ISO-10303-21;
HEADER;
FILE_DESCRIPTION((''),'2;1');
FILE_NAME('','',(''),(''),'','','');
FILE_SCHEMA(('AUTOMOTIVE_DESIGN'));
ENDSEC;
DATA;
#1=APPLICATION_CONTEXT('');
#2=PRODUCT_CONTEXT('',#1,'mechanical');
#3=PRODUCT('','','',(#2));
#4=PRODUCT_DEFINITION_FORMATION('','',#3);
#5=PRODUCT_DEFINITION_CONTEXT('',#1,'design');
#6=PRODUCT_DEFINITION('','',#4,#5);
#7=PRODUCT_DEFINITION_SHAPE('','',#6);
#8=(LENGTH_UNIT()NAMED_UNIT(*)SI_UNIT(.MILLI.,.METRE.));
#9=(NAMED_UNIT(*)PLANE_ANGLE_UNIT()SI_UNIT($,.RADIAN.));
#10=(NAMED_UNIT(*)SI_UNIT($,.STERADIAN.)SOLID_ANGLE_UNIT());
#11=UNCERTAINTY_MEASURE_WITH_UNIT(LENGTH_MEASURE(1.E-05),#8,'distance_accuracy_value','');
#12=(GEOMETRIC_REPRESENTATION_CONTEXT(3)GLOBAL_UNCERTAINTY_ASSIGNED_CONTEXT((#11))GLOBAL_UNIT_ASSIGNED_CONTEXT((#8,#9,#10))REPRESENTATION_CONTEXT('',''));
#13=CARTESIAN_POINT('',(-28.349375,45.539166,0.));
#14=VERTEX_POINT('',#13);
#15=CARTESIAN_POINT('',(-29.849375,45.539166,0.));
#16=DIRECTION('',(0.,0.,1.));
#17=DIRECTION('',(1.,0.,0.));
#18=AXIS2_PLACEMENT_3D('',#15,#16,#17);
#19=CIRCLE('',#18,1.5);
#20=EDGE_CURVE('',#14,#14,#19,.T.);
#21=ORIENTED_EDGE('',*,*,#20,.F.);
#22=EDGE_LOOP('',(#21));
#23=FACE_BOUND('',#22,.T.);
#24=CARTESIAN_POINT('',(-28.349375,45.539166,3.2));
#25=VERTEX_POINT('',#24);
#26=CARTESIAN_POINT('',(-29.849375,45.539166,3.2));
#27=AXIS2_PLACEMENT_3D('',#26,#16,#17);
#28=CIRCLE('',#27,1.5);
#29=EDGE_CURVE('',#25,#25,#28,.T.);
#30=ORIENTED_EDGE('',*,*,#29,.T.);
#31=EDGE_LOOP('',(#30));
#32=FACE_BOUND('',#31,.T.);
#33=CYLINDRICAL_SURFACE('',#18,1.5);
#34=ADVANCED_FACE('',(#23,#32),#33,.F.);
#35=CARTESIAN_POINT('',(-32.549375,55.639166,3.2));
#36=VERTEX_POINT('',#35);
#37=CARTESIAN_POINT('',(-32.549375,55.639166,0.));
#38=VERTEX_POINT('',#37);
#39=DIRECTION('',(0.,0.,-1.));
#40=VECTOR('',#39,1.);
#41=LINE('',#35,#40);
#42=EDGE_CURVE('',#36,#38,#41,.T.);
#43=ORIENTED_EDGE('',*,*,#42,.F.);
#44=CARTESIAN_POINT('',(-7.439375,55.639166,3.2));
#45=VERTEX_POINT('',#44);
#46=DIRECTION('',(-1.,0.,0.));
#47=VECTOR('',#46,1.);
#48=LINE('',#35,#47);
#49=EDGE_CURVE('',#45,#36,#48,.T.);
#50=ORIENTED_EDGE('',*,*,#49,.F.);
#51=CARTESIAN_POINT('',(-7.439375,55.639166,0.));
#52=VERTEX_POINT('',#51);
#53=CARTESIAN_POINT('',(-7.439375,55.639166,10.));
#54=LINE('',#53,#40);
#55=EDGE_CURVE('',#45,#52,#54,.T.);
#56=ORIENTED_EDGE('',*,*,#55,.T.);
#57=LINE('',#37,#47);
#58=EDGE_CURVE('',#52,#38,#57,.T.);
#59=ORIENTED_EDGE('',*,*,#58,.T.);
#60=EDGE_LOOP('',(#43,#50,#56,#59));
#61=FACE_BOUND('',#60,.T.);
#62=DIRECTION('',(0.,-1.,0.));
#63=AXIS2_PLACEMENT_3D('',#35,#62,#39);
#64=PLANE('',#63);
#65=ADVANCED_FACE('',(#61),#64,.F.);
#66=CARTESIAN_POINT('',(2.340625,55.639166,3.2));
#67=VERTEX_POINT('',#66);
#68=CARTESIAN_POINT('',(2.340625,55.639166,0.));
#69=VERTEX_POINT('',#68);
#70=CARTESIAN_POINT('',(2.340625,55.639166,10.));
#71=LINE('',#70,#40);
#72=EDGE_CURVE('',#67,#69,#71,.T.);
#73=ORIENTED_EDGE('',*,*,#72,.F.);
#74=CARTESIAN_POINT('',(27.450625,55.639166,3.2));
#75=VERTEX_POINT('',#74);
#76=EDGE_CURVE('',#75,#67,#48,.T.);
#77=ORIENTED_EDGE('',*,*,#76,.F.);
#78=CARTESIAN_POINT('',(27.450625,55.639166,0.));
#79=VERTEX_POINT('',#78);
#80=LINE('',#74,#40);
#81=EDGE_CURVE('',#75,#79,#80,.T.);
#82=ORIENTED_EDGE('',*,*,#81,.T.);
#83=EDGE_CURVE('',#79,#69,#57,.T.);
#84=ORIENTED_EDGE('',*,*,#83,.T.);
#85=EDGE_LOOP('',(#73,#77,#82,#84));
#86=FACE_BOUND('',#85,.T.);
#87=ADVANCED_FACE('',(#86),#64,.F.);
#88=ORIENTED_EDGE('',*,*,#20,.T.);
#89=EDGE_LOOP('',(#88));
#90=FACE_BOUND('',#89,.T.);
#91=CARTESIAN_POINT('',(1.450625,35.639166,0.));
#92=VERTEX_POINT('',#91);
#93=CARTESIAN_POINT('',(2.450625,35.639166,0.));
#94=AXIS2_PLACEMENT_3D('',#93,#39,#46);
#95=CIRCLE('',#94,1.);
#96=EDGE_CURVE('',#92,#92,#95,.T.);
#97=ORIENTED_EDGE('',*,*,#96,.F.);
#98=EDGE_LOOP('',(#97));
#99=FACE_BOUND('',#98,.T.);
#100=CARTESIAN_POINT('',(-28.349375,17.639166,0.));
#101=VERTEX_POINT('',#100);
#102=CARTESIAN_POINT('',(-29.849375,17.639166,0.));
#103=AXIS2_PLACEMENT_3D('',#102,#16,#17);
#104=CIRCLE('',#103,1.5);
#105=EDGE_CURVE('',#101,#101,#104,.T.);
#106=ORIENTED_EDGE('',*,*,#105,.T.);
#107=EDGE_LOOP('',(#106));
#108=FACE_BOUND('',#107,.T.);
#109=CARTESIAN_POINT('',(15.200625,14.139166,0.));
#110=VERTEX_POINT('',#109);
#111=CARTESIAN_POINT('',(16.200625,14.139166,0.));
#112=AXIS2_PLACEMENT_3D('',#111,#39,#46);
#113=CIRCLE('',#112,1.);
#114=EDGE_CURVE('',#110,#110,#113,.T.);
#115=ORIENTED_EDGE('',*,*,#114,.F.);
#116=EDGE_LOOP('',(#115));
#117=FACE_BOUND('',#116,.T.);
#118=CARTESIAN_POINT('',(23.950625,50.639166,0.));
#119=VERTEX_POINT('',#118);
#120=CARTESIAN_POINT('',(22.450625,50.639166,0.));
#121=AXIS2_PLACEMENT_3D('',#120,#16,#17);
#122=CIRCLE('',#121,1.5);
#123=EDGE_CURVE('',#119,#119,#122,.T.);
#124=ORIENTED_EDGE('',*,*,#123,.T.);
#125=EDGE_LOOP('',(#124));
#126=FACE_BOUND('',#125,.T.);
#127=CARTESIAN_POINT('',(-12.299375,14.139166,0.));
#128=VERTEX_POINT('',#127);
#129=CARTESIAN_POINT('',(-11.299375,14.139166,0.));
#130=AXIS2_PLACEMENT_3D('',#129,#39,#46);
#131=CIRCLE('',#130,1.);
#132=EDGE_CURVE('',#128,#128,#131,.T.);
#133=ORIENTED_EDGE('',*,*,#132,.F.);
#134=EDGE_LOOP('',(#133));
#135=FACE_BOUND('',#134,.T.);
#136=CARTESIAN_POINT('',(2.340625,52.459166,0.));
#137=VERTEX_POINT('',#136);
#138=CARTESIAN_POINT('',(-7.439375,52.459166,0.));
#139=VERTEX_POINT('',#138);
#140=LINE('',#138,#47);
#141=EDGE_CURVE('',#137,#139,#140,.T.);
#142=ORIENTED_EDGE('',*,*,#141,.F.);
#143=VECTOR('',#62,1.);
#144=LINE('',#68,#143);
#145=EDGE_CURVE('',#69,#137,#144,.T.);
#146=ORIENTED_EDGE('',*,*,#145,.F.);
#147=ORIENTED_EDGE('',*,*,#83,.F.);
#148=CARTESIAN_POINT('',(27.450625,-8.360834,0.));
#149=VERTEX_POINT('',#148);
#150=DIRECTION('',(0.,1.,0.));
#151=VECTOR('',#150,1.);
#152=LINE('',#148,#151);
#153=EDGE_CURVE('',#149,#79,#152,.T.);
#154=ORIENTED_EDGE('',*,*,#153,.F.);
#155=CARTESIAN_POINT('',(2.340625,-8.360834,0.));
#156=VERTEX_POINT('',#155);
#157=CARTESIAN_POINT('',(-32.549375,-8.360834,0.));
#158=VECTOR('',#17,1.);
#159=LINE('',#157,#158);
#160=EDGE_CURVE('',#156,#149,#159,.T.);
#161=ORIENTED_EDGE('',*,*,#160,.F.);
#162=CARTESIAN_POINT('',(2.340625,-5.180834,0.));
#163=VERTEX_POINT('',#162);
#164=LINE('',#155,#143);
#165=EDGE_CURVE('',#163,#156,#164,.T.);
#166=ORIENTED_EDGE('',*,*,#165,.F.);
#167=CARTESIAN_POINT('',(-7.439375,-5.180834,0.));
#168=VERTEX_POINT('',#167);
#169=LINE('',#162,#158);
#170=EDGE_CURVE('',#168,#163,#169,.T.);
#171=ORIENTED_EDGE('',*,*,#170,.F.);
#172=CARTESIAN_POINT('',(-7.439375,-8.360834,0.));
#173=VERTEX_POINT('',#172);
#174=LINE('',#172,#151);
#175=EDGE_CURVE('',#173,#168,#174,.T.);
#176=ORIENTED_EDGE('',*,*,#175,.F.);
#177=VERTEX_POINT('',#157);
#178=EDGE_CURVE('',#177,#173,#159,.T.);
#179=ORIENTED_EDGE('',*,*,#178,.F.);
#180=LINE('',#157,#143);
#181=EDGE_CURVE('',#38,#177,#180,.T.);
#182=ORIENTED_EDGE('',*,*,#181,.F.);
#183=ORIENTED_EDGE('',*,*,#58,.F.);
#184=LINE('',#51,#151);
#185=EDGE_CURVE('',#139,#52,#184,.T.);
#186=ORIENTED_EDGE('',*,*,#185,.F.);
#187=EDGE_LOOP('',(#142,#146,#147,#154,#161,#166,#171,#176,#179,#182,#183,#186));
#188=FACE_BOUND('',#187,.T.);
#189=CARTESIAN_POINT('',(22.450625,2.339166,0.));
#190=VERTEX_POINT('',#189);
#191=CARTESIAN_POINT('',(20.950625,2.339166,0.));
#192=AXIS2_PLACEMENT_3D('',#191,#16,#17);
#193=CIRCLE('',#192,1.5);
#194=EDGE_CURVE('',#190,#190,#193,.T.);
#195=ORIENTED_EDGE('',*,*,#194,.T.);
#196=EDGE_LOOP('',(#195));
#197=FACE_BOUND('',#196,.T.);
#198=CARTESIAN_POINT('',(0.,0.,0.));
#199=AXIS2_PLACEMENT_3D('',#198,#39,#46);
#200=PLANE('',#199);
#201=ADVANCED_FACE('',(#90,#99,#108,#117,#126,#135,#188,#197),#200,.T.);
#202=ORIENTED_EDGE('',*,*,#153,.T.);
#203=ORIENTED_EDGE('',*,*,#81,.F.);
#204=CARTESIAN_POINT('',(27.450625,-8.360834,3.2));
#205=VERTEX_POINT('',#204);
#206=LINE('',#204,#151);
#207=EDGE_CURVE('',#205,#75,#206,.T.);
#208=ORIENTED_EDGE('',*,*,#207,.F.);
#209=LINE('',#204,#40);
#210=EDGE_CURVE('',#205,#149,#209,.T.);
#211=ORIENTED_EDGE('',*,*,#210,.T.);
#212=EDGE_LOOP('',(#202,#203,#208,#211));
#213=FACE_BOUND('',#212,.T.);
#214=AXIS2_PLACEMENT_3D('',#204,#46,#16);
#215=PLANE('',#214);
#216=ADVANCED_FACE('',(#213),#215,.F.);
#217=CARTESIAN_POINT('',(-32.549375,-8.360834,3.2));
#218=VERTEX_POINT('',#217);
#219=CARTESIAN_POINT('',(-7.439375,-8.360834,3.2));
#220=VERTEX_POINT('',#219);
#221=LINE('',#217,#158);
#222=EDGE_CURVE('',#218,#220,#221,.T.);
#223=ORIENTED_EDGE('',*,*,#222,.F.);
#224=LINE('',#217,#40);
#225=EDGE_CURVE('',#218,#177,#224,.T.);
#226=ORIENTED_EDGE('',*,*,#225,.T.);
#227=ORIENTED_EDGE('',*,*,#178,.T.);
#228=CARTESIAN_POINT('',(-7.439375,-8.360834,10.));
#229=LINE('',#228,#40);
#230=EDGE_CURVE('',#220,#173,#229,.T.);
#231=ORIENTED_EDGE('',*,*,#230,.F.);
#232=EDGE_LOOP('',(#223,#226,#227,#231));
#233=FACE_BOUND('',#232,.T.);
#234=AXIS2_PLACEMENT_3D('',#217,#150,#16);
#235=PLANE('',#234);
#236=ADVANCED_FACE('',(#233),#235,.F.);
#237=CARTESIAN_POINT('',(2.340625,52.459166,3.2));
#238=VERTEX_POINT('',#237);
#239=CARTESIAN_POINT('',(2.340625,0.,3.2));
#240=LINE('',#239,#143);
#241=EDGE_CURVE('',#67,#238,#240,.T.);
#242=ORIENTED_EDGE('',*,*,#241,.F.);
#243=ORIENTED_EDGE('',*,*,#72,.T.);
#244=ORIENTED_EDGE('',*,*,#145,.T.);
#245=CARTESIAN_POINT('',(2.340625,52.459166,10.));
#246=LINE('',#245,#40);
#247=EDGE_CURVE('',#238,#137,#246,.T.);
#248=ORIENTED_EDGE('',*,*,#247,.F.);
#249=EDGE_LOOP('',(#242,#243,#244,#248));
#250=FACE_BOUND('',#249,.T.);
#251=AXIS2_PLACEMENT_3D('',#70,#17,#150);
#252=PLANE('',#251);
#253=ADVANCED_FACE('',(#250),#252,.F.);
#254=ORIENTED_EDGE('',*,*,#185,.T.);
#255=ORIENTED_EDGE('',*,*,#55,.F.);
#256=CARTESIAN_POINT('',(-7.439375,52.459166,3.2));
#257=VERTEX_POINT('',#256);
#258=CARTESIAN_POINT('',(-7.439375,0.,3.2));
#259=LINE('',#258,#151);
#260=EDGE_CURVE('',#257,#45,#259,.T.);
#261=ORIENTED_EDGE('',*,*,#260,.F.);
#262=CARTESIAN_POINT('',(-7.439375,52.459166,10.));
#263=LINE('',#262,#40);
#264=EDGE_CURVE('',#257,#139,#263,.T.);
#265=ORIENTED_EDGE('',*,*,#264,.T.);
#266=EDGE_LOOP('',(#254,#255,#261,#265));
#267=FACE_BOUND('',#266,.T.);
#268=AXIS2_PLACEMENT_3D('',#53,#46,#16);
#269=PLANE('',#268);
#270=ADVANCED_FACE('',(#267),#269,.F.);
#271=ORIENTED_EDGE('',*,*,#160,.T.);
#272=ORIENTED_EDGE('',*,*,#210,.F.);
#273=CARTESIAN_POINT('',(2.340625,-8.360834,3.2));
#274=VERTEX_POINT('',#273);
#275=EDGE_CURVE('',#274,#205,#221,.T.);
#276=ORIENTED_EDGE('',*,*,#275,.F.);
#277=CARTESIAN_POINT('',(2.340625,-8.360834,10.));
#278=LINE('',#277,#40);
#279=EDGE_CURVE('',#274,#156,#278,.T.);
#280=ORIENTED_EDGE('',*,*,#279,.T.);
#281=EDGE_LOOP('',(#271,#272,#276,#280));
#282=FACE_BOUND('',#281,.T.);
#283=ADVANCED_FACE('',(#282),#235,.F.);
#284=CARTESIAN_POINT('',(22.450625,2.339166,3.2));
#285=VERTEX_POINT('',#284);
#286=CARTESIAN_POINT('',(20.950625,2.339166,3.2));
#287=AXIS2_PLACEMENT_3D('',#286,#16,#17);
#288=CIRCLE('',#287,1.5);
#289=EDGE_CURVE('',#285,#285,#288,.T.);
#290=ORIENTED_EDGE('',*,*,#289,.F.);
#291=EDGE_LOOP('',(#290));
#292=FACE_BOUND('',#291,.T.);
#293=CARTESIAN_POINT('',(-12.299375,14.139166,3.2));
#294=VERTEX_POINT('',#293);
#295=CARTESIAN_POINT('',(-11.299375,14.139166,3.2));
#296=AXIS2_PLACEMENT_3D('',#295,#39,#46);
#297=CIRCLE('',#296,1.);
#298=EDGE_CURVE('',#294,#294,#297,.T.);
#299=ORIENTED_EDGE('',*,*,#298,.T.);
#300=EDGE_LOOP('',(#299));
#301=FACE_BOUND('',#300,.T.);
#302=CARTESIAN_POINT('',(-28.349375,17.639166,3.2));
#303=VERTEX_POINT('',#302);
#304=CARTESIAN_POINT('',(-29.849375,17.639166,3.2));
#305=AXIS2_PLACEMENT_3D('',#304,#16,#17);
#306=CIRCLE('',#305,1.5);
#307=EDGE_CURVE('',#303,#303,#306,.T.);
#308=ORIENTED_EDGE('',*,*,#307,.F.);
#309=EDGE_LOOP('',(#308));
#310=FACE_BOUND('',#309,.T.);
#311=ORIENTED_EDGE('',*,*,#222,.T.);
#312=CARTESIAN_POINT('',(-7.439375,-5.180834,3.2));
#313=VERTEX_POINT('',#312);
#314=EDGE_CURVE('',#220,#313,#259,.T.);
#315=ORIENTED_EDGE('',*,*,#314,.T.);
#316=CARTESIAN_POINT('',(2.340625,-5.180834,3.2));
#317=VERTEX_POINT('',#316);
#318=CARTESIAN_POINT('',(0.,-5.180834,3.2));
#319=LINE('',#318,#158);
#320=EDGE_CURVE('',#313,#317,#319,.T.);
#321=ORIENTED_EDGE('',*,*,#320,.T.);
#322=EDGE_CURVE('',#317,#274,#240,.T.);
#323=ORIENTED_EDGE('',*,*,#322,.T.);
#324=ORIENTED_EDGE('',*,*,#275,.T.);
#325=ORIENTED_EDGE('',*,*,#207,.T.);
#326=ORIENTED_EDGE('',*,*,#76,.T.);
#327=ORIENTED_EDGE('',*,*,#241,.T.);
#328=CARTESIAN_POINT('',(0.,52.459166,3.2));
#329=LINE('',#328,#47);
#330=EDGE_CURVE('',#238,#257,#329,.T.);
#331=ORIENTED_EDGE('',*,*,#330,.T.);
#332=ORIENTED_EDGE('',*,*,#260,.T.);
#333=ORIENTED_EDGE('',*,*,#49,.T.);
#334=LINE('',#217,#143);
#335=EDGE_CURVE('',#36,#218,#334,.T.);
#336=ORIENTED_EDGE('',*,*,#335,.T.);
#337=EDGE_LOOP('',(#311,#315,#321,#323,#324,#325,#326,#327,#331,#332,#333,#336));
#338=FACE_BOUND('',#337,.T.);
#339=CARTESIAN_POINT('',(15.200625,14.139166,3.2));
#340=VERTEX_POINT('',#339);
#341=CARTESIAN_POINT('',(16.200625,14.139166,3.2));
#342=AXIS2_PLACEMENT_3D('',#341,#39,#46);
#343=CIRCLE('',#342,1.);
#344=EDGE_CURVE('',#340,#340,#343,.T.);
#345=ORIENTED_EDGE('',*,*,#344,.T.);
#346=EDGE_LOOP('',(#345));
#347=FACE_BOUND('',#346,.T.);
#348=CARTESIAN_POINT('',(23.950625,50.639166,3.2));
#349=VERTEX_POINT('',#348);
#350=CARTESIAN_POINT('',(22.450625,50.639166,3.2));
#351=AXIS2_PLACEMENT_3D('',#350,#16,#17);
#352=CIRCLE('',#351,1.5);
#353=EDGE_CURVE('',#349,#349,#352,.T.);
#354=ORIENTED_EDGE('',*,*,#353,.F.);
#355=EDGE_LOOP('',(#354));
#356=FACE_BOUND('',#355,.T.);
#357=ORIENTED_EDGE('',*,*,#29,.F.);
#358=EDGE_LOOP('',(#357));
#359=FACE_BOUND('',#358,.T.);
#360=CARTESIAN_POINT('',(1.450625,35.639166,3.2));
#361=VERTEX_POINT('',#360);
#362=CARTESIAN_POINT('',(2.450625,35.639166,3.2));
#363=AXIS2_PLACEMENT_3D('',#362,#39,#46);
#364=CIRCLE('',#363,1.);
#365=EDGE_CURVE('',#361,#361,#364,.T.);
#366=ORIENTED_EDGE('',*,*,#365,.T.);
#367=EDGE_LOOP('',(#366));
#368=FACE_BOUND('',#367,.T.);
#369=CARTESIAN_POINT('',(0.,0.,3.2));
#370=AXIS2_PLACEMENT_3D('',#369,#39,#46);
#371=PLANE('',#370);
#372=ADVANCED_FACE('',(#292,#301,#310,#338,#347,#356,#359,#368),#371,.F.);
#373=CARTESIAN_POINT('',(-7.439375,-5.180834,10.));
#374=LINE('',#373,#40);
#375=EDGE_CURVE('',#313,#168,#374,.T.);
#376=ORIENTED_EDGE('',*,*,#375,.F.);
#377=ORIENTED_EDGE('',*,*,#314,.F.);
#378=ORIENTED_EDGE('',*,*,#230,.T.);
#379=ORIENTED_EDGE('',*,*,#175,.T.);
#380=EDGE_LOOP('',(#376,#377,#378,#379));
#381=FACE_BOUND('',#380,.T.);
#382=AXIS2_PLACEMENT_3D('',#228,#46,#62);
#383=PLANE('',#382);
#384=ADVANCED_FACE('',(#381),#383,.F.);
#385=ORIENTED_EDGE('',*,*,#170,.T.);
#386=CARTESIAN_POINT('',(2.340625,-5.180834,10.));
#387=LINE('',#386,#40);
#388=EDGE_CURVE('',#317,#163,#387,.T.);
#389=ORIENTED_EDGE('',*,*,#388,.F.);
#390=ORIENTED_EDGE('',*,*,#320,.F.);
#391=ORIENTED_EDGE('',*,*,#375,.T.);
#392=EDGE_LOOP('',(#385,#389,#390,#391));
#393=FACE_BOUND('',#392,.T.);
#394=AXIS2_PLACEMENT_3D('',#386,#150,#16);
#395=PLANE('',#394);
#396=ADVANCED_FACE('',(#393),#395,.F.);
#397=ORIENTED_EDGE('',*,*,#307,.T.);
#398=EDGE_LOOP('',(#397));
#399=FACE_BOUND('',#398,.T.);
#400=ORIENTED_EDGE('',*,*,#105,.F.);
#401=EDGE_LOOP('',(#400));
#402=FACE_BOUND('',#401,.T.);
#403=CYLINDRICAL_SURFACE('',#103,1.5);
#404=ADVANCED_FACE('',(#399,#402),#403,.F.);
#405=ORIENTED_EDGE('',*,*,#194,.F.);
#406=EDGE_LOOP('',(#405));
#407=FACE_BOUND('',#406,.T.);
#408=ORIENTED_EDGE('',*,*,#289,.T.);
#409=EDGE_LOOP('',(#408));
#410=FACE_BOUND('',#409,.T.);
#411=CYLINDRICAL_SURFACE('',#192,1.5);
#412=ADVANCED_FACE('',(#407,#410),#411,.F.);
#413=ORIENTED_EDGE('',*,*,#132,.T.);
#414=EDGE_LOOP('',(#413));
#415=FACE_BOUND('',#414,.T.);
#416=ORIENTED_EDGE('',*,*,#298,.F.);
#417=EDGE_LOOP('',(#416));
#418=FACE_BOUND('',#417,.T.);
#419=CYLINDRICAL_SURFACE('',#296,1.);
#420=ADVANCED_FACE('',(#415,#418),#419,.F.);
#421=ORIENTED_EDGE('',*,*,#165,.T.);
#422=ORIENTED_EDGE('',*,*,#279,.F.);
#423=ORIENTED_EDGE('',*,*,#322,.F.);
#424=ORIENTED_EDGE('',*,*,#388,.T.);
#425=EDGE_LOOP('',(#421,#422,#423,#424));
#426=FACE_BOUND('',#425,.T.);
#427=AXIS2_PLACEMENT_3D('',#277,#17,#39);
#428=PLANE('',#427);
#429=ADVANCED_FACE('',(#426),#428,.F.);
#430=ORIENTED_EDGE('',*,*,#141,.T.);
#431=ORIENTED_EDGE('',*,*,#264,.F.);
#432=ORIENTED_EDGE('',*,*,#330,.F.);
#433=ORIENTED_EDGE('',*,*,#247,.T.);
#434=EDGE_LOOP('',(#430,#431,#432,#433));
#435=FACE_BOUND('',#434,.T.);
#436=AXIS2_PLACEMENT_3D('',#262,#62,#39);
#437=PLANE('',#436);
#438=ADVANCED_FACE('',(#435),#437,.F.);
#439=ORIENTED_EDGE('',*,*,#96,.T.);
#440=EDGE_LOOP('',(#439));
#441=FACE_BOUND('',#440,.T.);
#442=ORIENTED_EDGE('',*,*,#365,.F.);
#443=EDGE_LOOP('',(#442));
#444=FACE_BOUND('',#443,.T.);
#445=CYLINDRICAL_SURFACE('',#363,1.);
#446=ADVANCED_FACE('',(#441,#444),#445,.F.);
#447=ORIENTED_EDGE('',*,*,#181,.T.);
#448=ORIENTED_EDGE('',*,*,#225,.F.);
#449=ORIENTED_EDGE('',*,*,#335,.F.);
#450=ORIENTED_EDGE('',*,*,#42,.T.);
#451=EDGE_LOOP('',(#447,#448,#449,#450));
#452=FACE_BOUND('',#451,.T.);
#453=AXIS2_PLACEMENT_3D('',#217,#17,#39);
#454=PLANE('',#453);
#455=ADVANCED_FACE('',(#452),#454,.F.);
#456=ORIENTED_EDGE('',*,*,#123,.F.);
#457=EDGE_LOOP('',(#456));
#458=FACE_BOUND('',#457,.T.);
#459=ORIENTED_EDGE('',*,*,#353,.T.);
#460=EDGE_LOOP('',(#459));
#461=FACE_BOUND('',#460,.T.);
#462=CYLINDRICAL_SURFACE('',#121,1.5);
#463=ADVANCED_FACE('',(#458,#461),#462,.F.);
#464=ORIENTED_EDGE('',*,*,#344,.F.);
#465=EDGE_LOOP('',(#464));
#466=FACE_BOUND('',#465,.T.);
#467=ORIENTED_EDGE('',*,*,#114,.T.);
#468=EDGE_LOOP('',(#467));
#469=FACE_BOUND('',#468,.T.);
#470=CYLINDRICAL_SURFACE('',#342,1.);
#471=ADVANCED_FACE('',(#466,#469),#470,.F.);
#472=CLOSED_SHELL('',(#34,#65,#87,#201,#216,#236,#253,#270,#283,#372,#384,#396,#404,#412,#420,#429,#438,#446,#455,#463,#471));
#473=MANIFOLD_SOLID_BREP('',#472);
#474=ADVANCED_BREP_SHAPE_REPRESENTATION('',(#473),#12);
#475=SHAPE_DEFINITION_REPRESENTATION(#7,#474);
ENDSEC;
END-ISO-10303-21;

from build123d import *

# Parameters (mm, degrees)
SKETCH2_W           = 60
SKETCH2_H           = 64
TOP_DEPTH           = 3.2
SKETCH3_R           = 1.5
ARDUINO_HOLES_DEPTH = 3.2
SKETCH5_R           = 1
BATTERY_CUT_DEPTH   = 3.2
SKETCH7_W           = 9.78
SKETCH7_H           = 3.18
FRICTION_FIT_DEPTH  = 10


with BuildPart() as part:
    # Sketch2 → Top (new body)
    with BuildSketch(Plane.XY):
        with Locations((-2.549375328, 23.639166253)):
            Rectangle(SKETCH2_W, SKETCH2_H)
    extrude(amount=TOP_DEPTH)

    # Sketch3 → Arduino Holes (cut)
    with BuildSketch(Plane.XY.offset(3.2)):
        with Locations((20.950624672, 2.339166253)):
            Circle(SKETCH3_R)
        with Locations((22.450624672, 50.639166253)):
            Circle(SKETCH3_R)
        with Locations((-29.849375328, 17.639166253)):
            Circle(SKETCH3_R)
        with Locations((-29.849375328, 45.539166253)):
            Circle(SKETCH3_R)
    extrude(amount=-ARDUINO_HOLES_DEPTH, mode=Mode.SUBTRACT)

    # Sketch5 → Battery Cut (cut)
    with BuildSketch(Plane(origin=(0, 0, 0), x_dir=(-1, 0, 0), z_dir=(0, 0, -1))):
        with Locations((-2.450624672, 35.639166253)):
            Circle(SKETCH5_R)
        with Locations((-16.200624672, 14.139166253)):
            Circle(SKETCH5_R)
        with Locations((11.299375328, 14.139166253)):
            Circle(SKETCH5_R)
    extrude(amount=-BATTERY_CUT_DEPTH, mode=Mode.SUBTRACT)

    # Sketch7 → Friction Fit (cut)
    with BuildSketch(Plane(origin=(0, 0, 0), x_dir=(-1, 0, 0), z_dir=(0, 0, -1))):
        with Locations((2.549375328, 54.049166253)):
            Rectangle(SKETCH7_W, SKETCH7_H)
        with Locations((2.549375328, -6.770833747)):
            Rectangle(SKETCH7_W, SKETCH7_H)
    extrude(amount=-FRICTION_FIT_DEPTH, mode=Mode.SUBTRACT)


solid = part.part
